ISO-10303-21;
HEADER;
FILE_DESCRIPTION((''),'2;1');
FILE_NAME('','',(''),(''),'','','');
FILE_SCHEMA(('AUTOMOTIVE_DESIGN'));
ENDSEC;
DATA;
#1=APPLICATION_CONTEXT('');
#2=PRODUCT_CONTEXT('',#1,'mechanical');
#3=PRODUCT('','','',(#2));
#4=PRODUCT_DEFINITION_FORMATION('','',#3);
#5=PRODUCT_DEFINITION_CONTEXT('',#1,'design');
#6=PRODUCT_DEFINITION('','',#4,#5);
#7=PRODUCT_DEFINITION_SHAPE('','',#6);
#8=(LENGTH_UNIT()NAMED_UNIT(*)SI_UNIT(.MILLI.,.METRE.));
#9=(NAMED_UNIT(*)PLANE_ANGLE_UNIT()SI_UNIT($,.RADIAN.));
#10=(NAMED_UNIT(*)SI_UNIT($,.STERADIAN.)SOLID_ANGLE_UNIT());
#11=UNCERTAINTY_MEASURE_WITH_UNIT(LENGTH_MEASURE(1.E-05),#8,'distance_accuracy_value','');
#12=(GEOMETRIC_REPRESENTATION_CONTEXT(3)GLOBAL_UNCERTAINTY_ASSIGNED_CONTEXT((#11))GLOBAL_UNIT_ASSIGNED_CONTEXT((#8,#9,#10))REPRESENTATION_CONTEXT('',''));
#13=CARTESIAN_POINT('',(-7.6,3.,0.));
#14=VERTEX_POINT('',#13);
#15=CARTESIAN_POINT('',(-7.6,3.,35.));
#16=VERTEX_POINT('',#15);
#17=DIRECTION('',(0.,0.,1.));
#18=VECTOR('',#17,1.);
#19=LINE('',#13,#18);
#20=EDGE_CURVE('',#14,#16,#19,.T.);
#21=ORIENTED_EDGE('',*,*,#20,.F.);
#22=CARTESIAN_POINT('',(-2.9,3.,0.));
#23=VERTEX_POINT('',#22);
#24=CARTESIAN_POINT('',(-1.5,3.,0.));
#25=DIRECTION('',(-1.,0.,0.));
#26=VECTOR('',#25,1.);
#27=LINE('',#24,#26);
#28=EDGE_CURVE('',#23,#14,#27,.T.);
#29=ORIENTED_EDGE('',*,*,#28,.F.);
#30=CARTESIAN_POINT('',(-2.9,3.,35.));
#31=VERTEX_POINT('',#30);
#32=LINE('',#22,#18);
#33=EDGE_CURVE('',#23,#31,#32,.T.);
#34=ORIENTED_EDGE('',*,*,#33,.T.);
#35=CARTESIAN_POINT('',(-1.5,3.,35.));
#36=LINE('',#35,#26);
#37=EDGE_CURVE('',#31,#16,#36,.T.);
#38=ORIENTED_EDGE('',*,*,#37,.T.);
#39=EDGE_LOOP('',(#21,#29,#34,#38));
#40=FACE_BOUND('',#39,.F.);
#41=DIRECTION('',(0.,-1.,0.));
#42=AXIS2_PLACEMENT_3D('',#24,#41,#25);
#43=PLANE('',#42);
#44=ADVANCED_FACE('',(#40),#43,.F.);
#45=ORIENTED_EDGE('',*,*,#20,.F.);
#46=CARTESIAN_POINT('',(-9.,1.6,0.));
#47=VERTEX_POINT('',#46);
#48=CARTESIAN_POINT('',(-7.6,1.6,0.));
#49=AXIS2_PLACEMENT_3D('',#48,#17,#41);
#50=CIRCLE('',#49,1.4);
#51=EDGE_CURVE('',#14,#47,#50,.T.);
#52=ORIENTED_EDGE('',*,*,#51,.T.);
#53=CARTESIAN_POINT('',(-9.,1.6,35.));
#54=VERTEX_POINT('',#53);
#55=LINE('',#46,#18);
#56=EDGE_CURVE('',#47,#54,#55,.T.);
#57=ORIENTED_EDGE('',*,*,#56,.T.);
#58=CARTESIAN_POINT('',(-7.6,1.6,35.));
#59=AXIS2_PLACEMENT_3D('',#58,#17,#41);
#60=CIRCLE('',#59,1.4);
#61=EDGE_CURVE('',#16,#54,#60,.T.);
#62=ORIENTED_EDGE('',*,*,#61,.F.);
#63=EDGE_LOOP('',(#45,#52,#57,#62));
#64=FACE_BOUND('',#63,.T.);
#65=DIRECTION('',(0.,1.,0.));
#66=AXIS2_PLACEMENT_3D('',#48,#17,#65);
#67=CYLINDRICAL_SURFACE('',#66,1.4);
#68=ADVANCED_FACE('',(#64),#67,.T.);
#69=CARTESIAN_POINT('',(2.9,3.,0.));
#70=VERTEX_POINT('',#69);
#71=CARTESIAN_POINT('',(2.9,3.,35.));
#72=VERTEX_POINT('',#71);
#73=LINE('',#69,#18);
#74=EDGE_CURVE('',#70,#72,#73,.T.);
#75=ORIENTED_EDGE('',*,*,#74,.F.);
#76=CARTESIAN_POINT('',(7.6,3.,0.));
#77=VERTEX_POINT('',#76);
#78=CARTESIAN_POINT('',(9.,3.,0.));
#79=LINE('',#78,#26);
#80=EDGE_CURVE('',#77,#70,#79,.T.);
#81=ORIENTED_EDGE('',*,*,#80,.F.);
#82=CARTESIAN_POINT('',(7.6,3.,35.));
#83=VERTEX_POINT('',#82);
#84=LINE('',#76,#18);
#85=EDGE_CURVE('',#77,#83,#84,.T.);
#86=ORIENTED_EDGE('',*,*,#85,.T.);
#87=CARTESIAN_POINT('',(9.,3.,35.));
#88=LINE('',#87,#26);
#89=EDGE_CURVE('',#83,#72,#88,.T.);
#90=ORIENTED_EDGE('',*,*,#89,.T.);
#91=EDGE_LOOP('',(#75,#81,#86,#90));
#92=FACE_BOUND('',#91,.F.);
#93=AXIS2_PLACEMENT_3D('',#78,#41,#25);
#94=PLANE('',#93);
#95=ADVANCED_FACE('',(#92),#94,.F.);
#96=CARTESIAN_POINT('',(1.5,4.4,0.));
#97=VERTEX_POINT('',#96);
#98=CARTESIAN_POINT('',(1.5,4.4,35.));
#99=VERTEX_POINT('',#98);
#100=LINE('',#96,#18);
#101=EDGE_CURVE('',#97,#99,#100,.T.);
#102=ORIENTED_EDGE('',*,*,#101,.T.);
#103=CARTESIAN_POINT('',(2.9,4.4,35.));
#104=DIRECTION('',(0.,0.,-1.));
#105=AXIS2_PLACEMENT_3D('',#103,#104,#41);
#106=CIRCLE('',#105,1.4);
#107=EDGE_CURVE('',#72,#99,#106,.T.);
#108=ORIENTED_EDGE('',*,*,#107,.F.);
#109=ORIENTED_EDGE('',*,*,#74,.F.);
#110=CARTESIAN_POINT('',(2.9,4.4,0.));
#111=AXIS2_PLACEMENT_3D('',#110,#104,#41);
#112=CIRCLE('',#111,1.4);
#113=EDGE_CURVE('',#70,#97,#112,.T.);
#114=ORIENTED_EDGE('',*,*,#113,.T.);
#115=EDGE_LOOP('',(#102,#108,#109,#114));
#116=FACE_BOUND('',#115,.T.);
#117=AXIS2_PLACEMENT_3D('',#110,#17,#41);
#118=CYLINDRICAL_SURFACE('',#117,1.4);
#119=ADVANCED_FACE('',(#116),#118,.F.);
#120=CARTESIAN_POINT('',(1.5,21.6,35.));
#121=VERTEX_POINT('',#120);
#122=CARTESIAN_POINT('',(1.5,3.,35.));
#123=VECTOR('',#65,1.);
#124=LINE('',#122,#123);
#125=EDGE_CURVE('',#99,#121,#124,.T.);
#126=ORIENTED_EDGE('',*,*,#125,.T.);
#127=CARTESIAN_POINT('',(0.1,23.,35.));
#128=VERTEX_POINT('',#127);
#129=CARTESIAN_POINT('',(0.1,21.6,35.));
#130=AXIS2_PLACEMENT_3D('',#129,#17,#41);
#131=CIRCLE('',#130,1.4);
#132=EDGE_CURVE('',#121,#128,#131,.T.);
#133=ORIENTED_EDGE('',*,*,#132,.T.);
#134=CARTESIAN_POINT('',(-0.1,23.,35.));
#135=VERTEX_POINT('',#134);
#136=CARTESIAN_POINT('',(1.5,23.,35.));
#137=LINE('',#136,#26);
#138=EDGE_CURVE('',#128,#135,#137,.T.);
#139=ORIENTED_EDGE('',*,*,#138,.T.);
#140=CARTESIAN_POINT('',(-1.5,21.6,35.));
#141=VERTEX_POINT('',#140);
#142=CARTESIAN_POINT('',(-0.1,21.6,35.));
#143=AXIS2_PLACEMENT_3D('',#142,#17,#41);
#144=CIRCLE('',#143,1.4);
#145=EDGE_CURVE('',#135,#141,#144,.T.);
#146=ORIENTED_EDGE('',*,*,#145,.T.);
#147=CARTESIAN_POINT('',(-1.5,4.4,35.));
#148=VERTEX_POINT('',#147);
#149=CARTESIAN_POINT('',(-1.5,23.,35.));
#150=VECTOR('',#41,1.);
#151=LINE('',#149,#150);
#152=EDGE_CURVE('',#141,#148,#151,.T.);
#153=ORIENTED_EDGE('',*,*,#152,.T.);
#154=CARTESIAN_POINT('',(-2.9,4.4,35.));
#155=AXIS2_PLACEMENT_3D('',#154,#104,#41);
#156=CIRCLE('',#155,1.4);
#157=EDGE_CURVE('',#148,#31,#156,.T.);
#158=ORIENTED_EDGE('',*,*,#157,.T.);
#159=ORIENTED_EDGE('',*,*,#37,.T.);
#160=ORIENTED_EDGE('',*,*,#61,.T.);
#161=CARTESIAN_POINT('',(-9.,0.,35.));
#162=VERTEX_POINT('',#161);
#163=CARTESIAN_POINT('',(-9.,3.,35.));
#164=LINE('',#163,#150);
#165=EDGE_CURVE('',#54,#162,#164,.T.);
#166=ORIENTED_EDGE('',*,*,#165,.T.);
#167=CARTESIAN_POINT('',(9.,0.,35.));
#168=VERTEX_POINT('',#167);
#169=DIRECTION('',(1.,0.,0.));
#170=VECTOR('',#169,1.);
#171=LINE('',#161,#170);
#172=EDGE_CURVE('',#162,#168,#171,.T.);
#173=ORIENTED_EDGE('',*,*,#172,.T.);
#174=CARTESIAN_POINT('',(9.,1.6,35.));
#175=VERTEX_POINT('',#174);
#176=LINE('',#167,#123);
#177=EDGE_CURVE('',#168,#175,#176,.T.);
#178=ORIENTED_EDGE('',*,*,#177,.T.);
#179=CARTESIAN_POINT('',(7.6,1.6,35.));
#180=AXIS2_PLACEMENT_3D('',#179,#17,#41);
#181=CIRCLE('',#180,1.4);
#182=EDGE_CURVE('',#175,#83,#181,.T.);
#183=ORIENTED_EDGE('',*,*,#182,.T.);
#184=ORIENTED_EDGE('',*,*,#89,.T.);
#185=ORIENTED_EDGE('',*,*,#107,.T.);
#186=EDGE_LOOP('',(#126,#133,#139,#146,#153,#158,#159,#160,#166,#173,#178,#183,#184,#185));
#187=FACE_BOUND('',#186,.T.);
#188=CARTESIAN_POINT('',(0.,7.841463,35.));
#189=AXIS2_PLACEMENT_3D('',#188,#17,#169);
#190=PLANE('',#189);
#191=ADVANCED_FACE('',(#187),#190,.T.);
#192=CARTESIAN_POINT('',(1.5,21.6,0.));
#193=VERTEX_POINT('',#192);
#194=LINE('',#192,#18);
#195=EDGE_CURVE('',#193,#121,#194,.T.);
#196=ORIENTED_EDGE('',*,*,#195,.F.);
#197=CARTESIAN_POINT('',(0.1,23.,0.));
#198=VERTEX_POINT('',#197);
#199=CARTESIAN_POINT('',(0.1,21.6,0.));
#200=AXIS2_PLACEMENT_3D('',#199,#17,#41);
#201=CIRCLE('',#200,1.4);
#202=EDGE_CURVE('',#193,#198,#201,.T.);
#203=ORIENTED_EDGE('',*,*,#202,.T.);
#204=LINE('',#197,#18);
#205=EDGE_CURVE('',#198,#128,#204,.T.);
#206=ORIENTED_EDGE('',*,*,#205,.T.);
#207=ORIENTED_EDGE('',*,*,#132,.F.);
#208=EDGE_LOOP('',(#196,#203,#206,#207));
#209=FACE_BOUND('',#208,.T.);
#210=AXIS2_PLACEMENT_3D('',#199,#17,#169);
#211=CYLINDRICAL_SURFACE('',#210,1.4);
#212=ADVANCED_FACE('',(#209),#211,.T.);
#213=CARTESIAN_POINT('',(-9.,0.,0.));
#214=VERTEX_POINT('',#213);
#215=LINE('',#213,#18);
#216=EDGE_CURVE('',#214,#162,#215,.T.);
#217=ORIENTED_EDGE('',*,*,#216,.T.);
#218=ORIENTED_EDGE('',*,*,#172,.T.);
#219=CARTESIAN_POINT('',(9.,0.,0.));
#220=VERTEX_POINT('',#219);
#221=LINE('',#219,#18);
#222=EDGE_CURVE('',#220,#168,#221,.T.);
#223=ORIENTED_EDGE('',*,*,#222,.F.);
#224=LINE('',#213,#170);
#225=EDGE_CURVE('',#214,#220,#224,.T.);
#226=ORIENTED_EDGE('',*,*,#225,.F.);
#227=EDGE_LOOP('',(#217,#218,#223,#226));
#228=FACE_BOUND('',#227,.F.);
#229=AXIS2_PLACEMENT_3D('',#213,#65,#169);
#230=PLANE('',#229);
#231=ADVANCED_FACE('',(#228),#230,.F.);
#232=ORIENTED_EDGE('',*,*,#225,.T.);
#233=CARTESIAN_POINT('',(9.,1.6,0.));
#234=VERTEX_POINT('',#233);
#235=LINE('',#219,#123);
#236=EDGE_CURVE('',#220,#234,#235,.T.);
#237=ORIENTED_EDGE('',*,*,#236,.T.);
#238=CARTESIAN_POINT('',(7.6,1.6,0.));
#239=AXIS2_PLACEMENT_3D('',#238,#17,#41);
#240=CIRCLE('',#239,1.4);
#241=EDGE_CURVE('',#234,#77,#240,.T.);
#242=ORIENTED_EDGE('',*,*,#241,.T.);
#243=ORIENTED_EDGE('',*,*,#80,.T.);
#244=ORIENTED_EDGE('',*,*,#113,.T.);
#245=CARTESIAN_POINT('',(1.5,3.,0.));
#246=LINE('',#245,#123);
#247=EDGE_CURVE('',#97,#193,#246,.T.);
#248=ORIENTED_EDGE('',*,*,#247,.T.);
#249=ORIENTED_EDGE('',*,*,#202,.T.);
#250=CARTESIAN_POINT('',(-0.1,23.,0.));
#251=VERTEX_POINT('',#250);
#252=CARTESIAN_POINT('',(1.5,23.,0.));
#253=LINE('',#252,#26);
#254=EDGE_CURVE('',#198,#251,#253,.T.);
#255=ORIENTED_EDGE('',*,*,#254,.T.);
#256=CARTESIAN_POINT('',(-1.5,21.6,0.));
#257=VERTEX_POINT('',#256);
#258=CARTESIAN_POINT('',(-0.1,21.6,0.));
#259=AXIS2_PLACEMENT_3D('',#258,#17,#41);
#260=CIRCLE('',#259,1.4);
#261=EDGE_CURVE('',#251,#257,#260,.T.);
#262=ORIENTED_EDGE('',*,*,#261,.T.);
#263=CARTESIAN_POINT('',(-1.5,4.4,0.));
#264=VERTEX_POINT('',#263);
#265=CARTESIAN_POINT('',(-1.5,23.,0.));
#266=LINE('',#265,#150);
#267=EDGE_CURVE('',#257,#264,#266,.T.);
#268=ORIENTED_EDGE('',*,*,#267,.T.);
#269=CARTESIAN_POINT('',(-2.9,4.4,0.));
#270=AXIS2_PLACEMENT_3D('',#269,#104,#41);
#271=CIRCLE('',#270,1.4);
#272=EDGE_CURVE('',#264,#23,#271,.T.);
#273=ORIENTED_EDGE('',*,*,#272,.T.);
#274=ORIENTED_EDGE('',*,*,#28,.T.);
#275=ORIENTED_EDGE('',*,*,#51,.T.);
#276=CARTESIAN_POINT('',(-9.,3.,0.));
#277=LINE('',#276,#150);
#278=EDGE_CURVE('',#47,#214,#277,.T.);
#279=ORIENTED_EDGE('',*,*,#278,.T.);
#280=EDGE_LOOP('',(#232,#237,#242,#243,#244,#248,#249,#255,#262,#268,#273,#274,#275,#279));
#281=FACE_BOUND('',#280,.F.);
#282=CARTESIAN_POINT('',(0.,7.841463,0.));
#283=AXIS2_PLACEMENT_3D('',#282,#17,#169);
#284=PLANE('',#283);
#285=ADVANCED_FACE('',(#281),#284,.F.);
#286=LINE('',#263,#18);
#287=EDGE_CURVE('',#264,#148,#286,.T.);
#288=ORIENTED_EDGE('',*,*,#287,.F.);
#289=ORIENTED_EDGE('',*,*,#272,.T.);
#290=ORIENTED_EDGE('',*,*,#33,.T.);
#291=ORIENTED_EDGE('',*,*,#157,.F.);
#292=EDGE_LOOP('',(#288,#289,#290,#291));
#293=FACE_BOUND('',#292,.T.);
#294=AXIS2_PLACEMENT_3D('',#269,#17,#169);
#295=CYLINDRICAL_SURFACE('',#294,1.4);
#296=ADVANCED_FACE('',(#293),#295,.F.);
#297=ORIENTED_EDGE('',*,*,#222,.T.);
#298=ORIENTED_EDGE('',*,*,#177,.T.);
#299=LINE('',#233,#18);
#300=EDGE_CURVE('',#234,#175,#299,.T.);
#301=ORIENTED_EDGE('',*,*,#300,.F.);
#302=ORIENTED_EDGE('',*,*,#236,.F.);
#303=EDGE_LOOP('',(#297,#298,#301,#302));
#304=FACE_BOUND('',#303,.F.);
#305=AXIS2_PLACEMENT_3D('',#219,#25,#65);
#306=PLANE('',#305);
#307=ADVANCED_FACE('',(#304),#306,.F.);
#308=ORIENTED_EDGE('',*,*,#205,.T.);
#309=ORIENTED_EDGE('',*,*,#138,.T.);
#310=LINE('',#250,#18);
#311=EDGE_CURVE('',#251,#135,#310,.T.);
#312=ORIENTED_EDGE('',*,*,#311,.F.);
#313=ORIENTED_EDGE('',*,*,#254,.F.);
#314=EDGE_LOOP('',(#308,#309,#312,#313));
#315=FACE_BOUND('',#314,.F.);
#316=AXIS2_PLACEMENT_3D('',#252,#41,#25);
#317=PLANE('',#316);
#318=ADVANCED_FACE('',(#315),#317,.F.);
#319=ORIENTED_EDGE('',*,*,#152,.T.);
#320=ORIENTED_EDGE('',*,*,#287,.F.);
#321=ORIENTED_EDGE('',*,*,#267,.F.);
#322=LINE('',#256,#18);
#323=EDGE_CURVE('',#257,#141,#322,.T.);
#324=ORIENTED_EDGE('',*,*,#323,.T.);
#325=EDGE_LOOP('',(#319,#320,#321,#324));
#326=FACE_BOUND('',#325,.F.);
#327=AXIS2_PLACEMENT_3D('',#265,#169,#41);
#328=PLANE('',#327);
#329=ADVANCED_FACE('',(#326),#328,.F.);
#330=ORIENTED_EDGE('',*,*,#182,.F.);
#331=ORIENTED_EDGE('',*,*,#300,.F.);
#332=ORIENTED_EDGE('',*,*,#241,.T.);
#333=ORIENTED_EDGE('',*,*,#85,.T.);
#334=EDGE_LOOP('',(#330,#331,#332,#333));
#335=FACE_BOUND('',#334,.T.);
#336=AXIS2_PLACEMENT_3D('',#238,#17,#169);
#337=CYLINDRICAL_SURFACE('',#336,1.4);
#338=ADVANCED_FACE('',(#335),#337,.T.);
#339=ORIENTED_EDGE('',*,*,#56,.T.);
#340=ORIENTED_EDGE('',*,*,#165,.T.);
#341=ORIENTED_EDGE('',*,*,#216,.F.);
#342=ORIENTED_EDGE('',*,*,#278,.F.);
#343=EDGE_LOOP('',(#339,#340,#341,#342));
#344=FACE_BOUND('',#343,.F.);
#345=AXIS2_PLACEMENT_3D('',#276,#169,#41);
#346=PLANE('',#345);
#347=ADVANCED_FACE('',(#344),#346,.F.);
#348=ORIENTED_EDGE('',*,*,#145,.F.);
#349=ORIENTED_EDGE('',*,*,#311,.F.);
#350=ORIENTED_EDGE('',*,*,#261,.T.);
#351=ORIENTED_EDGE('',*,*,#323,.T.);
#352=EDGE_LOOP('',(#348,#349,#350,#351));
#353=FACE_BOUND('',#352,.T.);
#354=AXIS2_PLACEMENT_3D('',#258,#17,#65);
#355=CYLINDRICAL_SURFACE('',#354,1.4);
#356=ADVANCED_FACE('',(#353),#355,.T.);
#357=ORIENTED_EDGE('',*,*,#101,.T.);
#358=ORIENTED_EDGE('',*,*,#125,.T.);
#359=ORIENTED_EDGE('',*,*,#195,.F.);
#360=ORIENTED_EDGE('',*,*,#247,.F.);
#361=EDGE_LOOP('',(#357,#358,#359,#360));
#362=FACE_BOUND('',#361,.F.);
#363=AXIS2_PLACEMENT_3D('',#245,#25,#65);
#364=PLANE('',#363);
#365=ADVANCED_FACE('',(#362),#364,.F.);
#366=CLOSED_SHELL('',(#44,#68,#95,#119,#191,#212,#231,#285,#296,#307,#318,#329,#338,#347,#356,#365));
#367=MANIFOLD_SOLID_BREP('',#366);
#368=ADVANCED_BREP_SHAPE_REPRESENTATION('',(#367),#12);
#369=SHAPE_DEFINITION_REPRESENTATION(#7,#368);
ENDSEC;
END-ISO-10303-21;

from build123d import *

# Parameters (mm, degrees)
PAD_DEPTH = 35
FILLET_R  = 1.4


with BuildPart() as part:
    # Sketch → Pad (new body)
    with BuildSketch(Plane.XY):
        Polygon((-9, 0), (9, 0), (9, 3), (1.5, 3), (1.5, 23), (-1.5, 23), (-1.5, 3), (-9, 3), align=None)
    extrude(amount=PAD_DEPTH)

    # Fillet
    fillet_edges = [part.edges().sort_by_distance(p)[0] for p in [
        (9, 3, 17.5),
        (-9, 3, 17.5),
        (1.5, 3, 17.5),
        (-1.5, 3, 17.5),
        (1.5, 23, 17.5),
        (-1.5, 23, 17.5),
    ]]
    fillet(fillet_edges, radius=FILLET_R)


solid = part.part
